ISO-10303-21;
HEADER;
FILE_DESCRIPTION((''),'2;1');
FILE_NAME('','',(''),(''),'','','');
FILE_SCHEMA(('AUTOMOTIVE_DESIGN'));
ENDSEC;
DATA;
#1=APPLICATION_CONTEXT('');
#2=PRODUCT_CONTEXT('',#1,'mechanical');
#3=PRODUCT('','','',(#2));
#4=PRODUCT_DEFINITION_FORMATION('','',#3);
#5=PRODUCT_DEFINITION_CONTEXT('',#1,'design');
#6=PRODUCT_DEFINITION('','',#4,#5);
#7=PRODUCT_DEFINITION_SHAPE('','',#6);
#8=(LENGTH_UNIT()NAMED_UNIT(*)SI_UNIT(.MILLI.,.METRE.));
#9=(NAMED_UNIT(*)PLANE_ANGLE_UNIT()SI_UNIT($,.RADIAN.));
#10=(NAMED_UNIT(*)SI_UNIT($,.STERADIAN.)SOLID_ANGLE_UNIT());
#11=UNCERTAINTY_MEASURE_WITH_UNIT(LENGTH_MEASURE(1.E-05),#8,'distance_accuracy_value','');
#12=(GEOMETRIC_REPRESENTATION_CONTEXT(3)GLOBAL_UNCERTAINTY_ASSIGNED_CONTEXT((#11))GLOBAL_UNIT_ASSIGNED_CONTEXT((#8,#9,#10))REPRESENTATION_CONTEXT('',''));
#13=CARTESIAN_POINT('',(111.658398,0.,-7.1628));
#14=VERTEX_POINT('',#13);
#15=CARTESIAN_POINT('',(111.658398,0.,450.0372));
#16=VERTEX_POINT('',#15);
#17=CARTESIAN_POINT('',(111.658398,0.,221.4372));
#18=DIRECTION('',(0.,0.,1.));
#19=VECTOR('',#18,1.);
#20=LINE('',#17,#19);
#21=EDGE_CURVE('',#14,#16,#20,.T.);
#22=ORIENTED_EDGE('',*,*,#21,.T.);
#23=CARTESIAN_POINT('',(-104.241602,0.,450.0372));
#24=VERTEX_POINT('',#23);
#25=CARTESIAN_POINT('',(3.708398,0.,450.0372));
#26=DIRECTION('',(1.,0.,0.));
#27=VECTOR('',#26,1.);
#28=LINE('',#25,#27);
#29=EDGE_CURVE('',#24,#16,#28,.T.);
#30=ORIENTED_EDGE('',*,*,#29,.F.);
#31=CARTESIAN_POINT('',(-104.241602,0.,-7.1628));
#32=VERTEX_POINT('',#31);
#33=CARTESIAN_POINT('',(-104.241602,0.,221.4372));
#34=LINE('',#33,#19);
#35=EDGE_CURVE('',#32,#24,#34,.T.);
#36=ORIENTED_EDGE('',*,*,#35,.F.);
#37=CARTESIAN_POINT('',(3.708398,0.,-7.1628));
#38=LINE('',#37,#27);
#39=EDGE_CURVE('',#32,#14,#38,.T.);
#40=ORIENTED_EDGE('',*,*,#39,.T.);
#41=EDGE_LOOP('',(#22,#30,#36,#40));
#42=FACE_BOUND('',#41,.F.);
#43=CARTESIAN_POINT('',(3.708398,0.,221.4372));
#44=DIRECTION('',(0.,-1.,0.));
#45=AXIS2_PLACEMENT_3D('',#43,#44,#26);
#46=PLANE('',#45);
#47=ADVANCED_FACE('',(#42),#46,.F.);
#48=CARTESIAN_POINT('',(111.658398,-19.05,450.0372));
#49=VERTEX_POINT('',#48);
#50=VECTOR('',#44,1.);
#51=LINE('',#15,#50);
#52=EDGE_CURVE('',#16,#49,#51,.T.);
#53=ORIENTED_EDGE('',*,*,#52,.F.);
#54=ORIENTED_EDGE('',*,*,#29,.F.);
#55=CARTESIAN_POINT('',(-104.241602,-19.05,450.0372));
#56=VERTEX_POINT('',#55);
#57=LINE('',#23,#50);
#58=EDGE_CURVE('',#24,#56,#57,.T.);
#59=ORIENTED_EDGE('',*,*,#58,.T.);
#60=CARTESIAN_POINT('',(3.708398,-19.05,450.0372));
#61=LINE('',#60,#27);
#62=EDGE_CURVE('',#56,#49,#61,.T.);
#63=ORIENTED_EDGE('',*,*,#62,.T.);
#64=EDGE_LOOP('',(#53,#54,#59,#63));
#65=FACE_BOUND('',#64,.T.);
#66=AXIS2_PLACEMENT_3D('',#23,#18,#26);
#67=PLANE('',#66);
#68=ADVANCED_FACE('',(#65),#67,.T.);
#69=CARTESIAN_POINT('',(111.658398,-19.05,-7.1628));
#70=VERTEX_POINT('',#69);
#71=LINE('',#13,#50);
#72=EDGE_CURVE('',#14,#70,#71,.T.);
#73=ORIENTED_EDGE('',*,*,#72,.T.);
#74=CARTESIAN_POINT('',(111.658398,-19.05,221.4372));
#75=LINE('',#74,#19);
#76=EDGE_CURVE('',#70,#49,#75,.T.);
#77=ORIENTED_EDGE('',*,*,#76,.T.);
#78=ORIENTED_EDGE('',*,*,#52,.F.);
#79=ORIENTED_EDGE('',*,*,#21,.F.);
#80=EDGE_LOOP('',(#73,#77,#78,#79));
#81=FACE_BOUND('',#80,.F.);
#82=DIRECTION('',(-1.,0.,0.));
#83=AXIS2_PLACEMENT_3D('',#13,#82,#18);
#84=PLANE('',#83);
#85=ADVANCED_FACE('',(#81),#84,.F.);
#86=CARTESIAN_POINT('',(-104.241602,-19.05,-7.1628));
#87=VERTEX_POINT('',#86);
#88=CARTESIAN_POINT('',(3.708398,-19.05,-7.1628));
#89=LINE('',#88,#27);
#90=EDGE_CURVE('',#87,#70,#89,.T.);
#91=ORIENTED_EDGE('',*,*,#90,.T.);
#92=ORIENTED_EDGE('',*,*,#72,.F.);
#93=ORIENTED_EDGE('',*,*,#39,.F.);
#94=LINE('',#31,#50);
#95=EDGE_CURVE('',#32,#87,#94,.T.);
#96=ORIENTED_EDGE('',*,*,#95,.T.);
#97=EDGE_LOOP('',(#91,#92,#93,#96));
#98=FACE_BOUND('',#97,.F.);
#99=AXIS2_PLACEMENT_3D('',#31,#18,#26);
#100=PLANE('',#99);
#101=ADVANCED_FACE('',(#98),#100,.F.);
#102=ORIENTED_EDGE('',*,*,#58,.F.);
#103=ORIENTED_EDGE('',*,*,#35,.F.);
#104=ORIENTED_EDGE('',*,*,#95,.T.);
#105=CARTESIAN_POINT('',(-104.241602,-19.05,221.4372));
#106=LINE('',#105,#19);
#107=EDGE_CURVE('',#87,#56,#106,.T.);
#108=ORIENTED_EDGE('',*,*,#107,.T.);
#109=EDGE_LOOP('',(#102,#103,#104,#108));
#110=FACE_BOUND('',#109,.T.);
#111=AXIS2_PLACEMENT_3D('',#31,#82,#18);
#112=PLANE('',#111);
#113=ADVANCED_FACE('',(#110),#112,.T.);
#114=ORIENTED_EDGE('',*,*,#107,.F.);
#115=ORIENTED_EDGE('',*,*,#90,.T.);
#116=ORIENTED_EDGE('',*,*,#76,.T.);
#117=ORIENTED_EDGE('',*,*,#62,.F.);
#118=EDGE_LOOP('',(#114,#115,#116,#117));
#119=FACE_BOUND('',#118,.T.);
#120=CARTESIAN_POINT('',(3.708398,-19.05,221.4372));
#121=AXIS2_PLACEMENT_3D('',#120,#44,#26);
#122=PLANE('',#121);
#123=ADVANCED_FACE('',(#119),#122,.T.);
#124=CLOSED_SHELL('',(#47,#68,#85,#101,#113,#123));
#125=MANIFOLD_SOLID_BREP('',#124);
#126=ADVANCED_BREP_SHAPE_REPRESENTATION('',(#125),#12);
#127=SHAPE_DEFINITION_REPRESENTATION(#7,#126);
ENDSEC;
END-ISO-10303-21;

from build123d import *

# Parameters (mm, degrees)
F0_W     = 215.9
F0_H     = 457.2
F1_DEPTH = 19.05
F2_W     = 182.078071
F2_H     = 109.457333
F3_DEPTH = 6.35


with BuildPart() as f1:
    # F0 (on Front) → F1 (new body)
    with BuildSketch(Plane.XZ):
        with Locations((3.708398, 221.4372)):
            Rectangle(F0_W, F0_H)
    extrude(amount=F1_DEPTH)

    # F2 (on face) → F3 (join)
    with BuildSketch(Plane.XZ.offset(19.05)):
        with Locations((1.603443, 395.308533)):
            Rectangle(F2_W, F2_H)
    extrude(amount=-F3_DEPTH)


solid = f1.part
